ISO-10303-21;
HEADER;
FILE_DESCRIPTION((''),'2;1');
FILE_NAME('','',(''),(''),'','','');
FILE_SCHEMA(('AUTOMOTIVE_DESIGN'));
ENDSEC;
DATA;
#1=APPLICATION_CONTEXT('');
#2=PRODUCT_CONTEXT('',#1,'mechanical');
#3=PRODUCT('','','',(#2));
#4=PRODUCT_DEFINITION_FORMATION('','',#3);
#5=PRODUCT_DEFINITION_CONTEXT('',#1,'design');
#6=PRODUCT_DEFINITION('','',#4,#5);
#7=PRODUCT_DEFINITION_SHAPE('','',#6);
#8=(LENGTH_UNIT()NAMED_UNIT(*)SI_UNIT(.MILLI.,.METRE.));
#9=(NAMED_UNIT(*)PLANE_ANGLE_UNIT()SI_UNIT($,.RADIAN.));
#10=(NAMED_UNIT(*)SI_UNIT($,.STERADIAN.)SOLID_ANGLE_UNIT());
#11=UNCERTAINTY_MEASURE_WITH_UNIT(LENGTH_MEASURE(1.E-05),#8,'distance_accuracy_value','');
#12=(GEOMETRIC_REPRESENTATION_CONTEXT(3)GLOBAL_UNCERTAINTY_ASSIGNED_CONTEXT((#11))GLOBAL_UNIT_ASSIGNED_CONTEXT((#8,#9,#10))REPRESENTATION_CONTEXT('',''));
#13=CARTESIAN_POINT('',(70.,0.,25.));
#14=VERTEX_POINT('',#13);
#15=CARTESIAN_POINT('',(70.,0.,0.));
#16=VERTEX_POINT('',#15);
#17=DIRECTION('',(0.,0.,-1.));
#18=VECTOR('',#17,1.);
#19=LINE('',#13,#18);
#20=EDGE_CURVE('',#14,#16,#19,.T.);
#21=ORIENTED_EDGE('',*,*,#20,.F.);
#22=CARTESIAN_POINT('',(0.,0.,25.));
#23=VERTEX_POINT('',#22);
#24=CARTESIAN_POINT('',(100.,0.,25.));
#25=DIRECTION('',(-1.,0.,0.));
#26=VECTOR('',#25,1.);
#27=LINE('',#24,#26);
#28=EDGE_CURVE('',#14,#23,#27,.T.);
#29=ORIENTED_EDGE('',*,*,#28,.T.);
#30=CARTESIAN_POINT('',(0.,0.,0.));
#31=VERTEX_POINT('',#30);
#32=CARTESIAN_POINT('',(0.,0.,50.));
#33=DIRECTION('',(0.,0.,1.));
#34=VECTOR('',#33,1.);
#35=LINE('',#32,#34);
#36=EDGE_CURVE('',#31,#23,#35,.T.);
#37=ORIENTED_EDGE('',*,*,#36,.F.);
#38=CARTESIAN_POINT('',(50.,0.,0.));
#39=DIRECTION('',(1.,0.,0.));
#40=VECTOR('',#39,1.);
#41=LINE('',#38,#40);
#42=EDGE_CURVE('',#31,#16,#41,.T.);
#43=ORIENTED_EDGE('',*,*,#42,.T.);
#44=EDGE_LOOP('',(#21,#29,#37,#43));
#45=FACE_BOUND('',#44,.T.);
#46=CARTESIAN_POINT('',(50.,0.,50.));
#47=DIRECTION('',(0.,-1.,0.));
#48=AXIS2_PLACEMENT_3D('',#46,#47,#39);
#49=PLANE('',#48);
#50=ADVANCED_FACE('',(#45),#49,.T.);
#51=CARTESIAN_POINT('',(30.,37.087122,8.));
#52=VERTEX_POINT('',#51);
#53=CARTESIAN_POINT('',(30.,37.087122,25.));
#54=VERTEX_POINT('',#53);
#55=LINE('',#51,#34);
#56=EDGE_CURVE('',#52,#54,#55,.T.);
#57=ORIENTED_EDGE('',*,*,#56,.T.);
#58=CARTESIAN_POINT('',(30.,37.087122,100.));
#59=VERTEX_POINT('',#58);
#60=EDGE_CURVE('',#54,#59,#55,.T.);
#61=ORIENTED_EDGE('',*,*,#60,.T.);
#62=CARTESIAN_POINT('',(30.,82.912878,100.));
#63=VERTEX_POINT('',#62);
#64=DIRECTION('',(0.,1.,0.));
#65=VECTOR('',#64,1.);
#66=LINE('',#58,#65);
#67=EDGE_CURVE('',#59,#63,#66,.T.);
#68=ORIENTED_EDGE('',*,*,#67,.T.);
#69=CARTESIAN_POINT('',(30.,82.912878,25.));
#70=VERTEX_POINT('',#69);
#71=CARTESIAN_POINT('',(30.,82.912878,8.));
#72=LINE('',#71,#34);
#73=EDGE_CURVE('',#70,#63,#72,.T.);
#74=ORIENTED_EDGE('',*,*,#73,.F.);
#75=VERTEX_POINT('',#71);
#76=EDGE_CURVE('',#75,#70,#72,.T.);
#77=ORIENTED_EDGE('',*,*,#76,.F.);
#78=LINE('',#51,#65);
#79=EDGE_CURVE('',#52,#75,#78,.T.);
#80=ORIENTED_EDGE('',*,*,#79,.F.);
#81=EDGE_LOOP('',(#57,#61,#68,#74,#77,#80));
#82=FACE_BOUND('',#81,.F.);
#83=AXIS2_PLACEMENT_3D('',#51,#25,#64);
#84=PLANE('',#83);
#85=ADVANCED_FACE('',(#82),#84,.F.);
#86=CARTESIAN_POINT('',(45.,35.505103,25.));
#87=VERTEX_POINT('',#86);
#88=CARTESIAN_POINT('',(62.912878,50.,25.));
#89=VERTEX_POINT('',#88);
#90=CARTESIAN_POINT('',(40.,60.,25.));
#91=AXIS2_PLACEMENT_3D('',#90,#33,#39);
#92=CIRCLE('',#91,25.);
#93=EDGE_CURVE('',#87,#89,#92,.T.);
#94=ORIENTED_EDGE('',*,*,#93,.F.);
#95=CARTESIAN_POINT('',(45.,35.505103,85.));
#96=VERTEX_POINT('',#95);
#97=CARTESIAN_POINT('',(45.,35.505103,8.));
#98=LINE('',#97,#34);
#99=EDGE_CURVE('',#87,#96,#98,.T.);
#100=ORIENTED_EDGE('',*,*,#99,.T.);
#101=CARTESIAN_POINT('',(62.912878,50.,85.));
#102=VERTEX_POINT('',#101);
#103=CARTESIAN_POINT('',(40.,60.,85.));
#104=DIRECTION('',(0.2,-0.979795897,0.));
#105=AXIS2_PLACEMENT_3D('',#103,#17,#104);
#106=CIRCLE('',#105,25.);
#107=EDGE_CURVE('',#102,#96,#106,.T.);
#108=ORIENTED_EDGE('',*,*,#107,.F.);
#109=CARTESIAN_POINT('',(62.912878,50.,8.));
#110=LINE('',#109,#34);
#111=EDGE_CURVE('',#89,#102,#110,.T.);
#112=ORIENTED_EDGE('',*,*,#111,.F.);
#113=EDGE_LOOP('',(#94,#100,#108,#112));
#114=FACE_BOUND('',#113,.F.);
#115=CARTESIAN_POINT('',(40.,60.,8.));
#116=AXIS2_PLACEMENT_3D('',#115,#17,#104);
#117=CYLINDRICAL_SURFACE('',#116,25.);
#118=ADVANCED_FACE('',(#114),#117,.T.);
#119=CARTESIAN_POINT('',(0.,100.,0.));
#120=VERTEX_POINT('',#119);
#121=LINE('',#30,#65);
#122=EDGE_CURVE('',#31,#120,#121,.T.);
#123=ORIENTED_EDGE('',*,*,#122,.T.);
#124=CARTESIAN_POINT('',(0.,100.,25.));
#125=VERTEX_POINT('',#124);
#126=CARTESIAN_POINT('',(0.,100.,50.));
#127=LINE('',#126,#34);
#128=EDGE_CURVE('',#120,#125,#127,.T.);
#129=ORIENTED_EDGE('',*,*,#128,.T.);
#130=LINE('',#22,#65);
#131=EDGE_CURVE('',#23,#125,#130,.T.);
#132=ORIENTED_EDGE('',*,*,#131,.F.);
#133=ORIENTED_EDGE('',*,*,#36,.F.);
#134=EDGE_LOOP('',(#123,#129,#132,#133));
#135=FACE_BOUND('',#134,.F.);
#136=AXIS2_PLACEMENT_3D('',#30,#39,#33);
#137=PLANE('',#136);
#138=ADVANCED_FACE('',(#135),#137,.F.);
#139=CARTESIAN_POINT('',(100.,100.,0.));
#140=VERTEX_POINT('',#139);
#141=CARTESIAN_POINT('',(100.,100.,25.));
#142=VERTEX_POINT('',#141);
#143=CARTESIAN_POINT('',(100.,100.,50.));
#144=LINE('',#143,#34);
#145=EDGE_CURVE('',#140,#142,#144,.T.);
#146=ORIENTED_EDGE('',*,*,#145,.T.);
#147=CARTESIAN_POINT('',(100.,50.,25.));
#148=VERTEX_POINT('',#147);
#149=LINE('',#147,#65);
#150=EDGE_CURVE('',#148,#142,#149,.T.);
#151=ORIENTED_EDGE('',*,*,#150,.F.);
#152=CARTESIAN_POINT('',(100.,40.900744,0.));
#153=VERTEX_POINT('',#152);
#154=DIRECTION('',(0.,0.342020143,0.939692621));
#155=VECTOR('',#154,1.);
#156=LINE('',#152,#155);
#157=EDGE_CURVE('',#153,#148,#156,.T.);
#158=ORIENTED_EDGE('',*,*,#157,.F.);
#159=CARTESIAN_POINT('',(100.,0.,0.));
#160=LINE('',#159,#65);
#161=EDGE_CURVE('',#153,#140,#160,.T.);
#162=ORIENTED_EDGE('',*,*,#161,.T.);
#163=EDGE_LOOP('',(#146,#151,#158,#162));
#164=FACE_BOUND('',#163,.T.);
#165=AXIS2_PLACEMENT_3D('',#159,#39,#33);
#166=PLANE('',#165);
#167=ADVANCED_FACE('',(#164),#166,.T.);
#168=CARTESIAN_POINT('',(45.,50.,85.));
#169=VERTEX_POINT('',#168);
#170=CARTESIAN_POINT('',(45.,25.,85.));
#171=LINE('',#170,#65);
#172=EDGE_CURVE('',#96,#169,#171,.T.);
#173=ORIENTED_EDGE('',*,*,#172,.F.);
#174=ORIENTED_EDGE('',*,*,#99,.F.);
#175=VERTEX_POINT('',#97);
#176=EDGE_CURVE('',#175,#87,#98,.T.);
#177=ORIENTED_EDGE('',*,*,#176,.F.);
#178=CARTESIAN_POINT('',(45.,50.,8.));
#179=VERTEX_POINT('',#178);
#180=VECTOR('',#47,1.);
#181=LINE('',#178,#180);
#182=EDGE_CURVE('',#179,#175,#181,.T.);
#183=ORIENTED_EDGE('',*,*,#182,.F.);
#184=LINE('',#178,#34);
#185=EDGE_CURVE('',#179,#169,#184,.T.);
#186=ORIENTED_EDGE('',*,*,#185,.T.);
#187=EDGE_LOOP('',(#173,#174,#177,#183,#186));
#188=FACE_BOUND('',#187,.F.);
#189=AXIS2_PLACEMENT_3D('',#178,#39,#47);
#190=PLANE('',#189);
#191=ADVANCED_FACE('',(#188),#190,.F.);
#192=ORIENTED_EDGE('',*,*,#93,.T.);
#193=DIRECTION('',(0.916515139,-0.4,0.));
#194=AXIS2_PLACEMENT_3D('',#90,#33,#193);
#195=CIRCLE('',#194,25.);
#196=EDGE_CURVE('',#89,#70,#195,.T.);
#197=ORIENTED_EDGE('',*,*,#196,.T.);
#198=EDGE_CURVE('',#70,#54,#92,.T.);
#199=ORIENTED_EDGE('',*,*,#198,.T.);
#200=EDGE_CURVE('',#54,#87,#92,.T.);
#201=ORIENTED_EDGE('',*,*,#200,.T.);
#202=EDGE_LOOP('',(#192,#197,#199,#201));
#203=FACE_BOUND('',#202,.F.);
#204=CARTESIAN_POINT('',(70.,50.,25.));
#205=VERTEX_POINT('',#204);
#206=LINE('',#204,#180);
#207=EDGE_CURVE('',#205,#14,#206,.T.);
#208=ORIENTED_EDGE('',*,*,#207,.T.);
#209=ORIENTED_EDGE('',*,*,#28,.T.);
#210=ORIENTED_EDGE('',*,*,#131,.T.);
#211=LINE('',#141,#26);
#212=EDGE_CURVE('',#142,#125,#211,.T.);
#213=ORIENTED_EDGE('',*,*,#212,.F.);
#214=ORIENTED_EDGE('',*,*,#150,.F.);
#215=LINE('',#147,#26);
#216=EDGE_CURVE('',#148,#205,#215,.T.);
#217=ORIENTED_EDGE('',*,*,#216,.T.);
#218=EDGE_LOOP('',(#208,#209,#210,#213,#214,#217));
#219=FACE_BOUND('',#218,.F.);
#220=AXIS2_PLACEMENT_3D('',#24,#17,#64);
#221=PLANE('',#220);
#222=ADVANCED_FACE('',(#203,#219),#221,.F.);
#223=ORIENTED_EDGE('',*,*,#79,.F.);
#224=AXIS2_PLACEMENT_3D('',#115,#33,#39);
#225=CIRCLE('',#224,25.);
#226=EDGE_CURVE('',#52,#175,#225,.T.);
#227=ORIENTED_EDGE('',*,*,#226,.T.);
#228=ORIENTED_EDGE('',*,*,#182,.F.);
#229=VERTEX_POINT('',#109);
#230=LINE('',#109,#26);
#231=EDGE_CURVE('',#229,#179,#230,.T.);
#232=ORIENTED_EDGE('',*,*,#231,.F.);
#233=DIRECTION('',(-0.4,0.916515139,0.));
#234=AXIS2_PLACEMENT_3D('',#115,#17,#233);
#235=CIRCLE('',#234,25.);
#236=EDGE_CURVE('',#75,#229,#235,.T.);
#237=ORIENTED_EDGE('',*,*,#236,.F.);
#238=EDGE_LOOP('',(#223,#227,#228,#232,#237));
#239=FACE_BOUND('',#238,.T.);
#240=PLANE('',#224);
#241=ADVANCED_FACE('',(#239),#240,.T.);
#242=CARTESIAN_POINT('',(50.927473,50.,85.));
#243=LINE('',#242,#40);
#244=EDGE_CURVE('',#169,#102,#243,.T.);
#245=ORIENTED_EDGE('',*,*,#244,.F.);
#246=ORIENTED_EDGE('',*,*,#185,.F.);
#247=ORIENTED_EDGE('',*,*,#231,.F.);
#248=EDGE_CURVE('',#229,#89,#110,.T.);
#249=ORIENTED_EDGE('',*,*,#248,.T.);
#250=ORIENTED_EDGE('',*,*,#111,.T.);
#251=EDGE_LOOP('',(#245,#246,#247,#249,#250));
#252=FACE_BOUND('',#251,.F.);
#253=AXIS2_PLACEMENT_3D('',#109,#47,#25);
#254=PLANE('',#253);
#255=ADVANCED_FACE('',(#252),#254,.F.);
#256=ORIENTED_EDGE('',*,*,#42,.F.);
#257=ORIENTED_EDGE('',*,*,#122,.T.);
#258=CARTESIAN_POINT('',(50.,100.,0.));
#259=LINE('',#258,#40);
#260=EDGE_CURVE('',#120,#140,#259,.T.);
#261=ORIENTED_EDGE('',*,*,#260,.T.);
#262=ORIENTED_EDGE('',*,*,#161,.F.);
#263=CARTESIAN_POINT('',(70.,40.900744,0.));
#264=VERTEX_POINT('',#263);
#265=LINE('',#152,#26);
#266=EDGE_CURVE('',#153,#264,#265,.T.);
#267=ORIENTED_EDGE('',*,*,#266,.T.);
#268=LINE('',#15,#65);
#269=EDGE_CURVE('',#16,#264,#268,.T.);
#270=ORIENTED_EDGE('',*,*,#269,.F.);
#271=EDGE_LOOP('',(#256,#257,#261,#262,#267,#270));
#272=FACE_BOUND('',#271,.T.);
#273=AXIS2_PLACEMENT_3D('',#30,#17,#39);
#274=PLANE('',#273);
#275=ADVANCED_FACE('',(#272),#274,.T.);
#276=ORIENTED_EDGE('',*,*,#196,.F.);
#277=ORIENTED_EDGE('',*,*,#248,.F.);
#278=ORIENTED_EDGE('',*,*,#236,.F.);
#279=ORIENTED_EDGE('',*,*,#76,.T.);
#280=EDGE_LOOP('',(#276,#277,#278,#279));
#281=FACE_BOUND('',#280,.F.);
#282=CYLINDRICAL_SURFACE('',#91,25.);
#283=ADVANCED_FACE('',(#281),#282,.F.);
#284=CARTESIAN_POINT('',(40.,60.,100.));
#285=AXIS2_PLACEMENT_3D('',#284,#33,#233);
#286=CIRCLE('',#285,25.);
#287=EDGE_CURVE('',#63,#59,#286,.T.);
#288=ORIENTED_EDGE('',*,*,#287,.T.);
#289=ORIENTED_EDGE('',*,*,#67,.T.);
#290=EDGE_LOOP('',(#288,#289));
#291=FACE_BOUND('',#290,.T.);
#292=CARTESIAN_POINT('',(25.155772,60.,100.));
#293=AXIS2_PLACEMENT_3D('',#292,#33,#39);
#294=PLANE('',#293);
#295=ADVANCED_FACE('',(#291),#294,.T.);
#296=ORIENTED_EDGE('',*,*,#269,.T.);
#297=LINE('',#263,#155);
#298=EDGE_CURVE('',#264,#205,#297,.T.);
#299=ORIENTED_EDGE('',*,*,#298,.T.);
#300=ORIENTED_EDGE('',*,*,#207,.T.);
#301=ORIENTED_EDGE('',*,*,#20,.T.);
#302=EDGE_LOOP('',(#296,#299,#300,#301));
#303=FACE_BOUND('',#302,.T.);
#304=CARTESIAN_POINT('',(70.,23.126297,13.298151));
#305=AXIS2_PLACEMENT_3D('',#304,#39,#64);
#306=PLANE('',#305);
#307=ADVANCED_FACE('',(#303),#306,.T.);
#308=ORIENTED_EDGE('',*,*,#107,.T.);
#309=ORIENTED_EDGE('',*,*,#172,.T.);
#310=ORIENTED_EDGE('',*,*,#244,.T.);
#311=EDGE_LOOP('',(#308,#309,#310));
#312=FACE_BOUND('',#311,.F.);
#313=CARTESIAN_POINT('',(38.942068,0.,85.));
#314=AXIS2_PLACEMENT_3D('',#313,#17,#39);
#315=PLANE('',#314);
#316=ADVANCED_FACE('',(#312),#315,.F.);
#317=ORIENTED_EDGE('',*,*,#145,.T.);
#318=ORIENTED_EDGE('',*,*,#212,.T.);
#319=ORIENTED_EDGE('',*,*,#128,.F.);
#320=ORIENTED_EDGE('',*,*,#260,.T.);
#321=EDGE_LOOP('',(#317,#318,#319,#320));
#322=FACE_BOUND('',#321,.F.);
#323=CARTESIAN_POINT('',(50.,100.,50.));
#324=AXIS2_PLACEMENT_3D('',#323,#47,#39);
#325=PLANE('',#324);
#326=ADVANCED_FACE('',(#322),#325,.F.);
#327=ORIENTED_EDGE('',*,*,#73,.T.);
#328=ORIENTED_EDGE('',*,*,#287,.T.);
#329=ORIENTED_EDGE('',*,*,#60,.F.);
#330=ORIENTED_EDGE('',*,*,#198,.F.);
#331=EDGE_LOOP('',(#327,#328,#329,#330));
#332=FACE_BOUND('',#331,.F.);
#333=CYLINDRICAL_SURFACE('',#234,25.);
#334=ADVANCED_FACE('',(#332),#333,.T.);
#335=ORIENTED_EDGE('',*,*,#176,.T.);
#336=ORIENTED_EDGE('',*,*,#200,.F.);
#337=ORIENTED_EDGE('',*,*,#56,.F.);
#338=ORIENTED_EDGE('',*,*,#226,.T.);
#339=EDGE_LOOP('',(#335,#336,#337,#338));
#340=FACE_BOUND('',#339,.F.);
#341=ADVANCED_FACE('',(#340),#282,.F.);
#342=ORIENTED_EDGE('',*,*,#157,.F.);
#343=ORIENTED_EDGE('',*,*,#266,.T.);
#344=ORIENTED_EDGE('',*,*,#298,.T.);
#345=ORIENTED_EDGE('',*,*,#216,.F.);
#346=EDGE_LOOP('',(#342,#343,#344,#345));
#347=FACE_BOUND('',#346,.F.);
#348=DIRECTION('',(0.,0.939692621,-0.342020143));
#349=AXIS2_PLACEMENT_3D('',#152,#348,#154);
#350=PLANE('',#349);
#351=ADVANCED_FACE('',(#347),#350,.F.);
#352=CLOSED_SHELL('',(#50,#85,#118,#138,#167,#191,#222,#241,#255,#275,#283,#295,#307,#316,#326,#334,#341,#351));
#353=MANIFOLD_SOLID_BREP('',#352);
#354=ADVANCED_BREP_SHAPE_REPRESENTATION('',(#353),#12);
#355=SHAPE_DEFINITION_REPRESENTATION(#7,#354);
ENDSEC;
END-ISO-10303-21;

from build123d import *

# Parameters (mm, degrees)
F0_W      = 100
F0_H      = 100
F1_DEPTH  = 100
F2_W      = 100
F2_H      = 75
F3_DEPTH  = 100.001
F4_R      = 25
F5_DEPTH  = 17
F7_DEPTH  = 92
F8_W      = 30.7691868506
F8_H      = 32.9230235268
F9_DEPTH  = 100.001
F11_DEPTH = 30


with BuildPart() as f1:
    # F0 (on Front) → F1 (new body)
    with BuildSketch(Plane.XZ):
        with Locations((50, 50)):
            Rectangle(F0_W, F0_H)
    extrude(amount=-F1_DEPTH)

    # F2 (on face) → F3 (cut, through all)
    with BuildSketch(Plane.YZ.offset(100)):
        with Locations((50, 62.5)):
            Rectangle(F2_W, F2_H)
    extrude(amount=-F3_DEPTH, mode=Mode.SUBTRACT)

    # F4 (on face) → F5 (cut)
    with BuildSketch(Plane.XY.offset(25)):
        with Locations((40, 60)):
            Circle(F4_R)
    extrude(amount=-F5_DEPTH, mode=Mode.SUBTRACT)

    # F6 (on face) → F7 (join)
    with BuildSketch(Plane.XY.offset(8)):
        with BuildLine():
            Line((30, 37.0871215252), (30, 82.9128784748))
            ThreePointArc((30, 82.9128784748), (15, 60), (30, 37.0871215252))
        make_face()
        with BuildLine():
            Line((62.9128784748, 50), (45, 50))
            Line((45, 50), (45, 35.5051025722))
            ThreePointArc((45, 35.5051025722), (55.7260201274, 40.5656929387), (62.9128784748, 50))
        make_face()
    extrude(amount=F7_DEPTH)

    # F8 (on face) → F9 (cut, through all)
    with BuildSketch(Plane.XZ):
        with Locations((54.3266609311, 101.4615117634)):
            Rectangle(F8_W, F8_H)
    extrude(amount=-F9_DEPTH, mode=Mode.SUBTRACT)

    # F10 (on face) → F11 (cut)
    with BuildSketch(Plane.YZ.offset(100)):
        Polygon((40.9007441433, 0), (50, 25), (0, 25), (0, 0), align=None)
    extrude(amount=-F11_DEPTH, mode=Mode.SUBTRACT)


solid = f1.part
